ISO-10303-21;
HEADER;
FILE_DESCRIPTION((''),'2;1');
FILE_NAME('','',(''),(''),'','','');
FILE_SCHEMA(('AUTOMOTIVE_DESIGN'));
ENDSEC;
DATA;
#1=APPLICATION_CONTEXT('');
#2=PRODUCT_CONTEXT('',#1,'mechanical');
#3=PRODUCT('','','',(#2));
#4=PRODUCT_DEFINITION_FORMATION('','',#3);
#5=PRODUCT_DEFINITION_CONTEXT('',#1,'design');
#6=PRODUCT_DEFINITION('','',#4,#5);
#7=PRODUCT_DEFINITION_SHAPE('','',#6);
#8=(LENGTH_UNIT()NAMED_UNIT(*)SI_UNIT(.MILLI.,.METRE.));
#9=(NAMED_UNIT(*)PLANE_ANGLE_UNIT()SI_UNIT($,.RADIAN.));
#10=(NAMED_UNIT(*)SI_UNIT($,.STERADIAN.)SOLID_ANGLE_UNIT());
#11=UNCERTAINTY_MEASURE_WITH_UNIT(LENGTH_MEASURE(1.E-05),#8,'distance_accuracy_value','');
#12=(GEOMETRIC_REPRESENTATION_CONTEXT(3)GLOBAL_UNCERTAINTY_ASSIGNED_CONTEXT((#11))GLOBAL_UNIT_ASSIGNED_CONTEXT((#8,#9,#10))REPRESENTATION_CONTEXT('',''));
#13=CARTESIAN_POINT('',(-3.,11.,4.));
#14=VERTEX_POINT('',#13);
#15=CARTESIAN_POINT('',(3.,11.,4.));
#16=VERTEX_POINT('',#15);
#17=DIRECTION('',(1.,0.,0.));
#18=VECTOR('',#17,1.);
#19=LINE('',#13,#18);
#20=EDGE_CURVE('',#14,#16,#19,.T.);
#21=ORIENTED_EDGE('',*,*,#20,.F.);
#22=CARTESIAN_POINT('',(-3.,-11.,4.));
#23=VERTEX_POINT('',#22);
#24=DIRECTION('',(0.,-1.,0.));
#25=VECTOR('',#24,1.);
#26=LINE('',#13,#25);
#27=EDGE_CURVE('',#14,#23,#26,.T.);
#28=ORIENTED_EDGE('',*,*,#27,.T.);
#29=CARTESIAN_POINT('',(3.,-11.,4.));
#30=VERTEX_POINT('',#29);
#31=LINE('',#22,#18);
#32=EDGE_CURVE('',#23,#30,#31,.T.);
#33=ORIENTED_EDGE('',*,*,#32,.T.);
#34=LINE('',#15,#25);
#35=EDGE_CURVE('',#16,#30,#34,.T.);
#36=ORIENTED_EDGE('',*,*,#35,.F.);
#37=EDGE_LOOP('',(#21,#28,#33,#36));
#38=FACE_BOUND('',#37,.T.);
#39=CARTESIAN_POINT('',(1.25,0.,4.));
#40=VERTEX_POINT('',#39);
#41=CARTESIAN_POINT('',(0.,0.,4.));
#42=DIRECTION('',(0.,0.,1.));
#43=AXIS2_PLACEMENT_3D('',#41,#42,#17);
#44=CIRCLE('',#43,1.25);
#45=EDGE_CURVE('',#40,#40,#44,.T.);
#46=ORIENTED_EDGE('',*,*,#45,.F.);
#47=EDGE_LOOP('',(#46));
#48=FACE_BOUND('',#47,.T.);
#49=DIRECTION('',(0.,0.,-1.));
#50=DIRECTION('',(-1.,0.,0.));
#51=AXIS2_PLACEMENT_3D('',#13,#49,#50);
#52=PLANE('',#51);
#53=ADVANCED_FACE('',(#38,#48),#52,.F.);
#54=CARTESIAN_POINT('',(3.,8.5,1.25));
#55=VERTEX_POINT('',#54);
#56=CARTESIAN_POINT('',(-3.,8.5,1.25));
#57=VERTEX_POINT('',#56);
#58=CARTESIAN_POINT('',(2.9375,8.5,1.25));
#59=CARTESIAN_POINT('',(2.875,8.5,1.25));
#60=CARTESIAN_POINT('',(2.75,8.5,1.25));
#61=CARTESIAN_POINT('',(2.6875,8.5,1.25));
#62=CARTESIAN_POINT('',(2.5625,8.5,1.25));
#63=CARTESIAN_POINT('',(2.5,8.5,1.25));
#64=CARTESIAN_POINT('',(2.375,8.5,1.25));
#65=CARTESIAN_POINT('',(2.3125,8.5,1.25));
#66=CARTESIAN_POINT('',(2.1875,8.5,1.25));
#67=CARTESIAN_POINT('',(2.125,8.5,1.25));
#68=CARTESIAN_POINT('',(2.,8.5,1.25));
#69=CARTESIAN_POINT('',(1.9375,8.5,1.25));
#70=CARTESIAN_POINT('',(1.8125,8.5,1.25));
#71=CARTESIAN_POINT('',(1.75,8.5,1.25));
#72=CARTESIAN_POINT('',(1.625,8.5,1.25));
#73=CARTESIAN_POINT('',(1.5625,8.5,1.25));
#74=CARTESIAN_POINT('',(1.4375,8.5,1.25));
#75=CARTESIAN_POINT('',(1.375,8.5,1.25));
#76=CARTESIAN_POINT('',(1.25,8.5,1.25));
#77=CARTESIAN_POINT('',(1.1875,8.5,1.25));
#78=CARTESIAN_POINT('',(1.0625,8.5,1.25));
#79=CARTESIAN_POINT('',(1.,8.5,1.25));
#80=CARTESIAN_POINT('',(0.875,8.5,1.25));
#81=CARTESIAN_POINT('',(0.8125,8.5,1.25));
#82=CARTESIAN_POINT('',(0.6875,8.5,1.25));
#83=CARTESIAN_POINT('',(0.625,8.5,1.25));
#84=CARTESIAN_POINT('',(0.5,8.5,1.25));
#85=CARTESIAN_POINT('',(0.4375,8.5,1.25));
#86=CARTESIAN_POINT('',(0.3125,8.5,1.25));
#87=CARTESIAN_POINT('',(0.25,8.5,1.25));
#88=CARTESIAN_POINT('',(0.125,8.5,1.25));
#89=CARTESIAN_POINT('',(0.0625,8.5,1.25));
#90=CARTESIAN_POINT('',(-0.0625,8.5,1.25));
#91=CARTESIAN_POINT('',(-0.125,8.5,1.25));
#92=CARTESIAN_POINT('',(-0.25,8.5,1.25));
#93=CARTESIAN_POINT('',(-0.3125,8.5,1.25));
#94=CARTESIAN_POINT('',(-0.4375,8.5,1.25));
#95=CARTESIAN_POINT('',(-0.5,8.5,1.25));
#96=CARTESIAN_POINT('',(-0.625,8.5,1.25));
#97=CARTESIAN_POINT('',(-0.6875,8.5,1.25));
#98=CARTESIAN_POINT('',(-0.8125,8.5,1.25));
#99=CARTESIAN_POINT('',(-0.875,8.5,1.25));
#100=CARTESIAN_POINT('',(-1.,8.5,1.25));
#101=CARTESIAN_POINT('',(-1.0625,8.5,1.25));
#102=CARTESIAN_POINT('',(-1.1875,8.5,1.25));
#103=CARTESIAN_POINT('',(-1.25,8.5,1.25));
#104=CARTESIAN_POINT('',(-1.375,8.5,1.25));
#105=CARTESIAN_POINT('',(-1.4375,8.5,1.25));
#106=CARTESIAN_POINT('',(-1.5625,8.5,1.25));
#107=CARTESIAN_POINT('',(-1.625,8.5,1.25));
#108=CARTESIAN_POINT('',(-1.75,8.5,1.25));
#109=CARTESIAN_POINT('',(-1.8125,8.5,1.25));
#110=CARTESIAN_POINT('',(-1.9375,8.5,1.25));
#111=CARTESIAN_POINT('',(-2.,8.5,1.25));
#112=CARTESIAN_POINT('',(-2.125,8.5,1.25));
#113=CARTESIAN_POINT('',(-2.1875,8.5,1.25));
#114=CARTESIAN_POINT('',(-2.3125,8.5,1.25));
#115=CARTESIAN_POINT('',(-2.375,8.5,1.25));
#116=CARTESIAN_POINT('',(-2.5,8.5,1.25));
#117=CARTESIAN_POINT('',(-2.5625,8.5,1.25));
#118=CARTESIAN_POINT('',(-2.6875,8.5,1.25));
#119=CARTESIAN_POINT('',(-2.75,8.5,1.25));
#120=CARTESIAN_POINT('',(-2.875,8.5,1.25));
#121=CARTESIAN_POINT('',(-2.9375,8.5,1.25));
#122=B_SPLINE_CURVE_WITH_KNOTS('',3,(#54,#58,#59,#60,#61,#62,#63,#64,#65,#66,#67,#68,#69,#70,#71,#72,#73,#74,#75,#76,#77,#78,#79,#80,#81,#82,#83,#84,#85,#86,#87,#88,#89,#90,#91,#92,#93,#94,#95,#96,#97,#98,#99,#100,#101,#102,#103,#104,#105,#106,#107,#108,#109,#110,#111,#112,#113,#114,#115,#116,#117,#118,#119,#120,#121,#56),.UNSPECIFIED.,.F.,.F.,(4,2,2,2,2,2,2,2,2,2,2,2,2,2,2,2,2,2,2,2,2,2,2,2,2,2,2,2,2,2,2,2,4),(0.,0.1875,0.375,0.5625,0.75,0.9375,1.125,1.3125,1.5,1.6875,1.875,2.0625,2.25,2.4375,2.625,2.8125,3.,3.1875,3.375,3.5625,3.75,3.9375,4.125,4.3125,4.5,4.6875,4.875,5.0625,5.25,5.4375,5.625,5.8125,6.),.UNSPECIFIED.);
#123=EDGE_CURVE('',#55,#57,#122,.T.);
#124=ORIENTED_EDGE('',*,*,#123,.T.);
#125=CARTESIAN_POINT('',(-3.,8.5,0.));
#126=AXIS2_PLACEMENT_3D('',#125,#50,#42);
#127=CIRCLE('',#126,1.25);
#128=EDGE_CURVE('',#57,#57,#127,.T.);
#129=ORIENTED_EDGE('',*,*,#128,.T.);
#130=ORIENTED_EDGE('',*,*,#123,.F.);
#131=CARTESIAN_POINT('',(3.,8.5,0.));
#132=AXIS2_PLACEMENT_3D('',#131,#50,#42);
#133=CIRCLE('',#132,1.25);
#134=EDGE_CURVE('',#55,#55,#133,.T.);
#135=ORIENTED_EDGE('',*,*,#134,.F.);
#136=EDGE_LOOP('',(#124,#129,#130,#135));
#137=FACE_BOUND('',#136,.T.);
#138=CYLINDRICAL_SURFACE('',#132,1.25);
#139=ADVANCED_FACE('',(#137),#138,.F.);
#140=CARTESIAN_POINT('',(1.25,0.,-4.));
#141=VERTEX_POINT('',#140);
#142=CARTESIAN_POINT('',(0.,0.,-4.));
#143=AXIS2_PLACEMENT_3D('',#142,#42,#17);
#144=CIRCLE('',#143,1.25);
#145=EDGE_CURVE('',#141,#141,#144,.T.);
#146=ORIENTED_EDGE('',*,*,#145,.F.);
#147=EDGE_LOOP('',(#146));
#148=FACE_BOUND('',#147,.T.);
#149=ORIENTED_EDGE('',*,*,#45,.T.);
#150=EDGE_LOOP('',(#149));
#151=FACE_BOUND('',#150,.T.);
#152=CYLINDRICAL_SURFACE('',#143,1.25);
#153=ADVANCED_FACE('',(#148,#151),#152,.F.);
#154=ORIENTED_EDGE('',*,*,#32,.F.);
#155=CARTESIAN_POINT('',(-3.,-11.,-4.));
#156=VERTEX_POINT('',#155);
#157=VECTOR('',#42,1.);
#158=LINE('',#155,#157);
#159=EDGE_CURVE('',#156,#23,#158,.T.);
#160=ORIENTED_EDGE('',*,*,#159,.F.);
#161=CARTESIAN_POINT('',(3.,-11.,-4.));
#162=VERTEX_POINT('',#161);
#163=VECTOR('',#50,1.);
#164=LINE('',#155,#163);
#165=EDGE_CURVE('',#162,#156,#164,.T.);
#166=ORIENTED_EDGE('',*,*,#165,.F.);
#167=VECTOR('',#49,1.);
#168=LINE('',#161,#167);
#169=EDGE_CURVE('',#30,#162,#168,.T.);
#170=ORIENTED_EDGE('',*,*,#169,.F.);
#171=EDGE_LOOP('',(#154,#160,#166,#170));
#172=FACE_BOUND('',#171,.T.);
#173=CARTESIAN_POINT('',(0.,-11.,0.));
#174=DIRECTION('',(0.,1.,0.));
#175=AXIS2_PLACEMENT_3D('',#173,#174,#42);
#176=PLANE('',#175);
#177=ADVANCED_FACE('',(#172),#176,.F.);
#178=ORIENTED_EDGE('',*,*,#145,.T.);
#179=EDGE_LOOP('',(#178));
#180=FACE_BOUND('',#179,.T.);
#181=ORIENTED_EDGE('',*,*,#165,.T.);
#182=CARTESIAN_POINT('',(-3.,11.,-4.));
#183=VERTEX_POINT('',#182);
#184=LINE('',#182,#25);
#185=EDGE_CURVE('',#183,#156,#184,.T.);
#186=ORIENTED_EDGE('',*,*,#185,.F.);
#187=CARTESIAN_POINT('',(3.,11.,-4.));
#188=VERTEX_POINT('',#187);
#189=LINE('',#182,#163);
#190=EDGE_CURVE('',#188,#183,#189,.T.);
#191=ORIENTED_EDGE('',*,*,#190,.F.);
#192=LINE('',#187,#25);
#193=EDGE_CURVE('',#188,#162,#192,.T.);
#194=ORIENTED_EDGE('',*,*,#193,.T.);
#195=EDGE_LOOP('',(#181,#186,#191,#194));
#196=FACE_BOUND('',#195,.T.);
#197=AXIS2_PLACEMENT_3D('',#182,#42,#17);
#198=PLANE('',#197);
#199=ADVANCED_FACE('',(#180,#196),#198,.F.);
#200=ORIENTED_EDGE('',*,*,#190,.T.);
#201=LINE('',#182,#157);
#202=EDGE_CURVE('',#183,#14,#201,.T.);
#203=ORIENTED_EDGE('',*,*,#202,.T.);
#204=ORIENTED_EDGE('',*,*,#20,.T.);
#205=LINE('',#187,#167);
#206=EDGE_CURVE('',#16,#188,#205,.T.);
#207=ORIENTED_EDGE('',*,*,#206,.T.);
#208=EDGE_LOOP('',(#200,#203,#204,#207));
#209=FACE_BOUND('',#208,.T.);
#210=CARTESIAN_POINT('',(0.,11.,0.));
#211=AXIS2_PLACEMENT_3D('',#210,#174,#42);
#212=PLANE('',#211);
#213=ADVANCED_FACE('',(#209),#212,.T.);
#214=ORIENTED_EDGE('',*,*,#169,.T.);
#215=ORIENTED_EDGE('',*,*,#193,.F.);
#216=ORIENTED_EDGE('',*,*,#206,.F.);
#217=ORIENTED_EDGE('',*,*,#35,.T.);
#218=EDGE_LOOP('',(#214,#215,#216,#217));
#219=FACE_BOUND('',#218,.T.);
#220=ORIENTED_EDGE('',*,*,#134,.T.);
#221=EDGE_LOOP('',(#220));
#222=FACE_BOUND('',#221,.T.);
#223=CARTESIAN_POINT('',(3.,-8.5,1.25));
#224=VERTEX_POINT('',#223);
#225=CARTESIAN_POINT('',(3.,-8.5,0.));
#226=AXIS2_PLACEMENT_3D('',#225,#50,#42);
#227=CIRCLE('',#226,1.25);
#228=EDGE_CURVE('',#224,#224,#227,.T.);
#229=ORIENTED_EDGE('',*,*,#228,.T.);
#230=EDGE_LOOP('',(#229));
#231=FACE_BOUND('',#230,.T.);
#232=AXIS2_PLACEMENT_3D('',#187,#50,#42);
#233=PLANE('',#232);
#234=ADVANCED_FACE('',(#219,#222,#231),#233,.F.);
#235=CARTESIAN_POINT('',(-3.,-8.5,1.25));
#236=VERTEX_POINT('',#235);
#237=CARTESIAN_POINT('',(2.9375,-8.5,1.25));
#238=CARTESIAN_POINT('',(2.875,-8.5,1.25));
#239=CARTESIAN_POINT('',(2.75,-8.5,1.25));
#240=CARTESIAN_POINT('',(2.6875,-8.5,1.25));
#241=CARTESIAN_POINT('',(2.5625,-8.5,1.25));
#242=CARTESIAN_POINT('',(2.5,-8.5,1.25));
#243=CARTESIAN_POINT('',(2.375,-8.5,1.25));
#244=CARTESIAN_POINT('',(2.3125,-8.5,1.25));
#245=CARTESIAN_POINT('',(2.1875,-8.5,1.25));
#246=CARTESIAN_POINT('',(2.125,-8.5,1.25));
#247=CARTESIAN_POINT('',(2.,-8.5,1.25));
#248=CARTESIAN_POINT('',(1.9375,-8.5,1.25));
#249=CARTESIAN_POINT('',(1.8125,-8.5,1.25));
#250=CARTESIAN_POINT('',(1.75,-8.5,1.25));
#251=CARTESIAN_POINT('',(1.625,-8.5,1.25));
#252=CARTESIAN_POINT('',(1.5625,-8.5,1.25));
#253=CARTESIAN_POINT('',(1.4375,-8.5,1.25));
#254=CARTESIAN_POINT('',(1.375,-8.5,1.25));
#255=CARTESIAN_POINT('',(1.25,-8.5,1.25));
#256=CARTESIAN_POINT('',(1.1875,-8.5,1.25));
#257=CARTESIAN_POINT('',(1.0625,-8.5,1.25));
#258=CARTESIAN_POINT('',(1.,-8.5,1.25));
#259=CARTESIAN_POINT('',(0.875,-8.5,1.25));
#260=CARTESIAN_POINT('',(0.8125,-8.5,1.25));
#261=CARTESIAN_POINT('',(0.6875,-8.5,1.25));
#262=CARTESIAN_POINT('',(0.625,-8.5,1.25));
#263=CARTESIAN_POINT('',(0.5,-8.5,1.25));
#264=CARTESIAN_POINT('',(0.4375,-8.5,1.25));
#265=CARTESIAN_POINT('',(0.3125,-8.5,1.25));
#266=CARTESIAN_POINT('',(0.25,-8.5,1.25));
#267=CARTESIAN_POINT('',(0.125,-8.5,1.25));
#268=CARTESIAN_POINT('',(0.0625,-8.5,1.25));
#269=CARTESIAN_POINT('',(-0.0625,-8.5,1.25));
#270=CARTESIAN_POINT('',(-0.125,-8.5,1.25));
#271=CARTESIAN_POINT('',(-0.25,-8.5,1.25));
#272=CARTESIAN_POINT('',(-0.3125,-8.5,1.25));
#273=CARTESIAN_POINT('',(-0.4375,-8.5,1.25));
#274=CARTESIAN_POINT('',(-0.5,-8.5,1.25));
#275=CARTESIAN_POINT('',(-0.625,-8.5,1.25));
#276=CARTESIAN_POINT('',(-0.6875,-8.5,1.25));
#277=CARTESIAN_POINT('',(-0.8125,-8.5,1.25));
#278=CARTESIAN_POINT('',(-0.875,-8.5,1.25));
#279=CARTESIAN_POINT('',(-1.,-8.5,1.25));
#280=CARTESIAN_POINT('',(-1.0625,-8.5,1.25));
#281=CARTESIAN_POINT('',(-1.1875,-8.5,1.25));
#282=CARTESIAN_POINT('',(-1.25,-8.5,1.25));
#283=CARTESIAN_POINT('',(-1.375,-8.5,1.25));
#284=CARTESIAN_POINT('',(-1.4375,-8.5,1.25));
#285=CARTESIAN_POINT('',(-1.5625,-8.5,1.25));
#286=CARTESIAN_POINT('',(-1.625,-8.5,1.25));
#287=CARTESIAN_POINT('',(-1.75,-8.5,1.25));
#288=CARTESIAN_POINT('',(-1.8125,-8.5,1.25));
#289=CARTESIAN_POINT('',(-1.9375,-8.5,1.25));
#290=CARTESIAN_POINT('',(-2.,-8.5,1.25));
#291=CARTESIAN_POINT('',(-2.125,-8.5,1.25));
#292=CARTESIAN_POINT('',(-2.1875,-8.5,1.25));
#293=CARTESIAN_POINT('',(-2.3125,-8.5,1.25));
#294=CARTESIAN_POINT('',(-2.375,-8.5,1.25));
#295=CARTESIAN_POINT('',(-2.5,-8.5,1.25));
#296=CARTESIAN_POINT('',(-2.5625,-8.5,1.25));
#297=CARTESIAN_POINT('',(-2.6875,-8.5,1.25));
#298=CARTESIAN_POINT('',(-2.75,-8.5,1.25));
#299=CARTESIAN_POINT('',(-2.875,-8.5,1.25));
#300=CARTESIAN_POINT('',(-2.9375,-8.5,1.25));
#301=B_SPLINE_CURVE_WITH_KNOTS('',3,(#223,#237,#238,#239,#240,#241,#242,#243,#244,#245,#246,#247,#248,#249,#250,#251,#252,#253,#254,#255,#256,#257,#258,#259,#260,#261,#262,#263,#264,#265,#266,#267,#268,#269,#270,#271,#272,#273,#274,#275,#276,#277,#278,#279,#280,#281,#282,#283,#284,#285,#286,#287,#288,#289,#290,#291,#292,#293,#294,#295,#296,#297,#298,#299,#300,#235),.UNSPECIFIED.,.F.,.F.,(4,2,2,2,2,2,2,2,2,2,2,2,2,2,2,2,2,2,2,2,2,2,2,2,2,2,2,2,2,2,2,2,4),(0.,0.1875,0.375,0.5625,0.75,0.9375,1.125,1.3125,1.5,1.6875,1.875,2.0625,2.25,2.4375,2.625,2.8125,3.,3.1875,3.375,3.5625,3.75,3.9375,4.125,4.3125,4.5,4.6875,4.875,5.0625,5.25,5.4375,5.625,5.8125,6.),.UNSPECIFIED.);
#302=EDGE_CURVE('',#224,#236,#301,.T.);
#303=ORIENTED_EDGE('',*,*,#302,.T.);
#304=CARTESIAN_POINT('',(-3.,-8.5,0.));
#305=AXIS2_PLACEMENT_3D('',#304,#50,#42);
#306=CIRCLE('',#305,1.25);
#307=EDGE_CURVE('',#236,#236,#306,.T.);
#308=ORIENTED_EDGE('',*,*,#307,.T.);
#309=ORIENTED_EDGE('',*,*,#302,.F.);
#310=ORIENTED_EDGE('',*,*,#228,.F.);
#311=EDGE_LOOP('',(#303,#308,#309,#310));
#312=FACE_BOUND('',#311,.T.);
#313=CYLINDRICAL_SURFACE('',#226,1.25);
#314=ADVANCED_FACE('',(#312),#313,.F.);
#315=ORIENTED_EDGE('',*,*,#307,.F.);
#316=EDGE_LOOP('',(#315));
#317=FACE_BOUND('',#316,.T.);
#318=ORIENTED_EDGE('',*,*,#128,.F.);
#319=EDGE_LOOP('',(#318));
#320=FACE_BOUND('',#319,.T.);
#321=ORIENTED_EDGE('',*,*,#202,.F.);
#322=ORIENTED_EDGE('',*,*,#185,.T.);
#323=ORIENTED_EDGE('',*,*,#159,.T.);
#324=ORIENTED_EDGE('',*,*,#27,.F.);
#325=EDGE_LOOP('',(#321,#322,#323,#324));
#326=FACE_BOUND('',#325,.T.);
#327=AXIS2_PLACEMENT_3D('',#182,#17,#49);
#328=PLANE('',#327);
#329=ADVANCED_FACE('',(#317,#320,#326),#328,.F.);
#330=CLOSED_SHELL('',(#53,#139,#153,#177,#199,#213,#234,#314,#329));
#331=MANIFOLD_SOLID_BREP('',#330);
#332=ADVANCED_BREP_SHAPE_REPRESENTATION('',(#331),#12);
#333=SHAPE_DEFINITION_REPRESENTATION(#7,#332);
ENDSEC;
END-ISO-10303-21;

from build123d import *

# Parameters (mm, degrees)
SKETCH_1_W          = 6
SKETCH_1_H          = 8
EXTRUDE_1_DEPTH     = 11
SKETCH_2_R          = 1.25
CUT_EXTRUDE_1_DEPTH = 14.928388277
SKETCH_3_R          = 1.25
CUT_EXTRUDE_2_DEPTH = 14.152946438


with BuildPart() as part:
    # 草图1 → 凸台-拉伸1 (new, symmetric)
    with BuildSketch(Plane(origin=(0, 0, 0), x_dir=(1, 0, 0), z_dir=(0, 1, 0))):
        Rectangle(SKETCH_1_W, SKETCH_1_H)
    extrude(amount=EXTRUDE_1_DEPTH, both=True)

    # 草图2 → 切除-拉伸1 (cut, through all)
    with BuildSketch(Plane.XY.offset(4)):
        Circle(SKETCH_2_R)
    extrude(amount=-CUT_EXTRUDE_1_DEPTH, mode=Mode.SUBTRACT)

    # 草图3 → 切除-拉伸2 (cut, through all)
    with BuildSketch(Plane.ZY.offset(3)):
        with Locations((0, 8.5)):
            Circle(SKETCH_3_R)
        with Locations((0, -8.5)):
            Circle(SKETCH_3_R)
    extrude(amount=-CUT_EXTRUDE_2_DEPTH, mode=Mode.SUBTRACT)


solid = part.part
